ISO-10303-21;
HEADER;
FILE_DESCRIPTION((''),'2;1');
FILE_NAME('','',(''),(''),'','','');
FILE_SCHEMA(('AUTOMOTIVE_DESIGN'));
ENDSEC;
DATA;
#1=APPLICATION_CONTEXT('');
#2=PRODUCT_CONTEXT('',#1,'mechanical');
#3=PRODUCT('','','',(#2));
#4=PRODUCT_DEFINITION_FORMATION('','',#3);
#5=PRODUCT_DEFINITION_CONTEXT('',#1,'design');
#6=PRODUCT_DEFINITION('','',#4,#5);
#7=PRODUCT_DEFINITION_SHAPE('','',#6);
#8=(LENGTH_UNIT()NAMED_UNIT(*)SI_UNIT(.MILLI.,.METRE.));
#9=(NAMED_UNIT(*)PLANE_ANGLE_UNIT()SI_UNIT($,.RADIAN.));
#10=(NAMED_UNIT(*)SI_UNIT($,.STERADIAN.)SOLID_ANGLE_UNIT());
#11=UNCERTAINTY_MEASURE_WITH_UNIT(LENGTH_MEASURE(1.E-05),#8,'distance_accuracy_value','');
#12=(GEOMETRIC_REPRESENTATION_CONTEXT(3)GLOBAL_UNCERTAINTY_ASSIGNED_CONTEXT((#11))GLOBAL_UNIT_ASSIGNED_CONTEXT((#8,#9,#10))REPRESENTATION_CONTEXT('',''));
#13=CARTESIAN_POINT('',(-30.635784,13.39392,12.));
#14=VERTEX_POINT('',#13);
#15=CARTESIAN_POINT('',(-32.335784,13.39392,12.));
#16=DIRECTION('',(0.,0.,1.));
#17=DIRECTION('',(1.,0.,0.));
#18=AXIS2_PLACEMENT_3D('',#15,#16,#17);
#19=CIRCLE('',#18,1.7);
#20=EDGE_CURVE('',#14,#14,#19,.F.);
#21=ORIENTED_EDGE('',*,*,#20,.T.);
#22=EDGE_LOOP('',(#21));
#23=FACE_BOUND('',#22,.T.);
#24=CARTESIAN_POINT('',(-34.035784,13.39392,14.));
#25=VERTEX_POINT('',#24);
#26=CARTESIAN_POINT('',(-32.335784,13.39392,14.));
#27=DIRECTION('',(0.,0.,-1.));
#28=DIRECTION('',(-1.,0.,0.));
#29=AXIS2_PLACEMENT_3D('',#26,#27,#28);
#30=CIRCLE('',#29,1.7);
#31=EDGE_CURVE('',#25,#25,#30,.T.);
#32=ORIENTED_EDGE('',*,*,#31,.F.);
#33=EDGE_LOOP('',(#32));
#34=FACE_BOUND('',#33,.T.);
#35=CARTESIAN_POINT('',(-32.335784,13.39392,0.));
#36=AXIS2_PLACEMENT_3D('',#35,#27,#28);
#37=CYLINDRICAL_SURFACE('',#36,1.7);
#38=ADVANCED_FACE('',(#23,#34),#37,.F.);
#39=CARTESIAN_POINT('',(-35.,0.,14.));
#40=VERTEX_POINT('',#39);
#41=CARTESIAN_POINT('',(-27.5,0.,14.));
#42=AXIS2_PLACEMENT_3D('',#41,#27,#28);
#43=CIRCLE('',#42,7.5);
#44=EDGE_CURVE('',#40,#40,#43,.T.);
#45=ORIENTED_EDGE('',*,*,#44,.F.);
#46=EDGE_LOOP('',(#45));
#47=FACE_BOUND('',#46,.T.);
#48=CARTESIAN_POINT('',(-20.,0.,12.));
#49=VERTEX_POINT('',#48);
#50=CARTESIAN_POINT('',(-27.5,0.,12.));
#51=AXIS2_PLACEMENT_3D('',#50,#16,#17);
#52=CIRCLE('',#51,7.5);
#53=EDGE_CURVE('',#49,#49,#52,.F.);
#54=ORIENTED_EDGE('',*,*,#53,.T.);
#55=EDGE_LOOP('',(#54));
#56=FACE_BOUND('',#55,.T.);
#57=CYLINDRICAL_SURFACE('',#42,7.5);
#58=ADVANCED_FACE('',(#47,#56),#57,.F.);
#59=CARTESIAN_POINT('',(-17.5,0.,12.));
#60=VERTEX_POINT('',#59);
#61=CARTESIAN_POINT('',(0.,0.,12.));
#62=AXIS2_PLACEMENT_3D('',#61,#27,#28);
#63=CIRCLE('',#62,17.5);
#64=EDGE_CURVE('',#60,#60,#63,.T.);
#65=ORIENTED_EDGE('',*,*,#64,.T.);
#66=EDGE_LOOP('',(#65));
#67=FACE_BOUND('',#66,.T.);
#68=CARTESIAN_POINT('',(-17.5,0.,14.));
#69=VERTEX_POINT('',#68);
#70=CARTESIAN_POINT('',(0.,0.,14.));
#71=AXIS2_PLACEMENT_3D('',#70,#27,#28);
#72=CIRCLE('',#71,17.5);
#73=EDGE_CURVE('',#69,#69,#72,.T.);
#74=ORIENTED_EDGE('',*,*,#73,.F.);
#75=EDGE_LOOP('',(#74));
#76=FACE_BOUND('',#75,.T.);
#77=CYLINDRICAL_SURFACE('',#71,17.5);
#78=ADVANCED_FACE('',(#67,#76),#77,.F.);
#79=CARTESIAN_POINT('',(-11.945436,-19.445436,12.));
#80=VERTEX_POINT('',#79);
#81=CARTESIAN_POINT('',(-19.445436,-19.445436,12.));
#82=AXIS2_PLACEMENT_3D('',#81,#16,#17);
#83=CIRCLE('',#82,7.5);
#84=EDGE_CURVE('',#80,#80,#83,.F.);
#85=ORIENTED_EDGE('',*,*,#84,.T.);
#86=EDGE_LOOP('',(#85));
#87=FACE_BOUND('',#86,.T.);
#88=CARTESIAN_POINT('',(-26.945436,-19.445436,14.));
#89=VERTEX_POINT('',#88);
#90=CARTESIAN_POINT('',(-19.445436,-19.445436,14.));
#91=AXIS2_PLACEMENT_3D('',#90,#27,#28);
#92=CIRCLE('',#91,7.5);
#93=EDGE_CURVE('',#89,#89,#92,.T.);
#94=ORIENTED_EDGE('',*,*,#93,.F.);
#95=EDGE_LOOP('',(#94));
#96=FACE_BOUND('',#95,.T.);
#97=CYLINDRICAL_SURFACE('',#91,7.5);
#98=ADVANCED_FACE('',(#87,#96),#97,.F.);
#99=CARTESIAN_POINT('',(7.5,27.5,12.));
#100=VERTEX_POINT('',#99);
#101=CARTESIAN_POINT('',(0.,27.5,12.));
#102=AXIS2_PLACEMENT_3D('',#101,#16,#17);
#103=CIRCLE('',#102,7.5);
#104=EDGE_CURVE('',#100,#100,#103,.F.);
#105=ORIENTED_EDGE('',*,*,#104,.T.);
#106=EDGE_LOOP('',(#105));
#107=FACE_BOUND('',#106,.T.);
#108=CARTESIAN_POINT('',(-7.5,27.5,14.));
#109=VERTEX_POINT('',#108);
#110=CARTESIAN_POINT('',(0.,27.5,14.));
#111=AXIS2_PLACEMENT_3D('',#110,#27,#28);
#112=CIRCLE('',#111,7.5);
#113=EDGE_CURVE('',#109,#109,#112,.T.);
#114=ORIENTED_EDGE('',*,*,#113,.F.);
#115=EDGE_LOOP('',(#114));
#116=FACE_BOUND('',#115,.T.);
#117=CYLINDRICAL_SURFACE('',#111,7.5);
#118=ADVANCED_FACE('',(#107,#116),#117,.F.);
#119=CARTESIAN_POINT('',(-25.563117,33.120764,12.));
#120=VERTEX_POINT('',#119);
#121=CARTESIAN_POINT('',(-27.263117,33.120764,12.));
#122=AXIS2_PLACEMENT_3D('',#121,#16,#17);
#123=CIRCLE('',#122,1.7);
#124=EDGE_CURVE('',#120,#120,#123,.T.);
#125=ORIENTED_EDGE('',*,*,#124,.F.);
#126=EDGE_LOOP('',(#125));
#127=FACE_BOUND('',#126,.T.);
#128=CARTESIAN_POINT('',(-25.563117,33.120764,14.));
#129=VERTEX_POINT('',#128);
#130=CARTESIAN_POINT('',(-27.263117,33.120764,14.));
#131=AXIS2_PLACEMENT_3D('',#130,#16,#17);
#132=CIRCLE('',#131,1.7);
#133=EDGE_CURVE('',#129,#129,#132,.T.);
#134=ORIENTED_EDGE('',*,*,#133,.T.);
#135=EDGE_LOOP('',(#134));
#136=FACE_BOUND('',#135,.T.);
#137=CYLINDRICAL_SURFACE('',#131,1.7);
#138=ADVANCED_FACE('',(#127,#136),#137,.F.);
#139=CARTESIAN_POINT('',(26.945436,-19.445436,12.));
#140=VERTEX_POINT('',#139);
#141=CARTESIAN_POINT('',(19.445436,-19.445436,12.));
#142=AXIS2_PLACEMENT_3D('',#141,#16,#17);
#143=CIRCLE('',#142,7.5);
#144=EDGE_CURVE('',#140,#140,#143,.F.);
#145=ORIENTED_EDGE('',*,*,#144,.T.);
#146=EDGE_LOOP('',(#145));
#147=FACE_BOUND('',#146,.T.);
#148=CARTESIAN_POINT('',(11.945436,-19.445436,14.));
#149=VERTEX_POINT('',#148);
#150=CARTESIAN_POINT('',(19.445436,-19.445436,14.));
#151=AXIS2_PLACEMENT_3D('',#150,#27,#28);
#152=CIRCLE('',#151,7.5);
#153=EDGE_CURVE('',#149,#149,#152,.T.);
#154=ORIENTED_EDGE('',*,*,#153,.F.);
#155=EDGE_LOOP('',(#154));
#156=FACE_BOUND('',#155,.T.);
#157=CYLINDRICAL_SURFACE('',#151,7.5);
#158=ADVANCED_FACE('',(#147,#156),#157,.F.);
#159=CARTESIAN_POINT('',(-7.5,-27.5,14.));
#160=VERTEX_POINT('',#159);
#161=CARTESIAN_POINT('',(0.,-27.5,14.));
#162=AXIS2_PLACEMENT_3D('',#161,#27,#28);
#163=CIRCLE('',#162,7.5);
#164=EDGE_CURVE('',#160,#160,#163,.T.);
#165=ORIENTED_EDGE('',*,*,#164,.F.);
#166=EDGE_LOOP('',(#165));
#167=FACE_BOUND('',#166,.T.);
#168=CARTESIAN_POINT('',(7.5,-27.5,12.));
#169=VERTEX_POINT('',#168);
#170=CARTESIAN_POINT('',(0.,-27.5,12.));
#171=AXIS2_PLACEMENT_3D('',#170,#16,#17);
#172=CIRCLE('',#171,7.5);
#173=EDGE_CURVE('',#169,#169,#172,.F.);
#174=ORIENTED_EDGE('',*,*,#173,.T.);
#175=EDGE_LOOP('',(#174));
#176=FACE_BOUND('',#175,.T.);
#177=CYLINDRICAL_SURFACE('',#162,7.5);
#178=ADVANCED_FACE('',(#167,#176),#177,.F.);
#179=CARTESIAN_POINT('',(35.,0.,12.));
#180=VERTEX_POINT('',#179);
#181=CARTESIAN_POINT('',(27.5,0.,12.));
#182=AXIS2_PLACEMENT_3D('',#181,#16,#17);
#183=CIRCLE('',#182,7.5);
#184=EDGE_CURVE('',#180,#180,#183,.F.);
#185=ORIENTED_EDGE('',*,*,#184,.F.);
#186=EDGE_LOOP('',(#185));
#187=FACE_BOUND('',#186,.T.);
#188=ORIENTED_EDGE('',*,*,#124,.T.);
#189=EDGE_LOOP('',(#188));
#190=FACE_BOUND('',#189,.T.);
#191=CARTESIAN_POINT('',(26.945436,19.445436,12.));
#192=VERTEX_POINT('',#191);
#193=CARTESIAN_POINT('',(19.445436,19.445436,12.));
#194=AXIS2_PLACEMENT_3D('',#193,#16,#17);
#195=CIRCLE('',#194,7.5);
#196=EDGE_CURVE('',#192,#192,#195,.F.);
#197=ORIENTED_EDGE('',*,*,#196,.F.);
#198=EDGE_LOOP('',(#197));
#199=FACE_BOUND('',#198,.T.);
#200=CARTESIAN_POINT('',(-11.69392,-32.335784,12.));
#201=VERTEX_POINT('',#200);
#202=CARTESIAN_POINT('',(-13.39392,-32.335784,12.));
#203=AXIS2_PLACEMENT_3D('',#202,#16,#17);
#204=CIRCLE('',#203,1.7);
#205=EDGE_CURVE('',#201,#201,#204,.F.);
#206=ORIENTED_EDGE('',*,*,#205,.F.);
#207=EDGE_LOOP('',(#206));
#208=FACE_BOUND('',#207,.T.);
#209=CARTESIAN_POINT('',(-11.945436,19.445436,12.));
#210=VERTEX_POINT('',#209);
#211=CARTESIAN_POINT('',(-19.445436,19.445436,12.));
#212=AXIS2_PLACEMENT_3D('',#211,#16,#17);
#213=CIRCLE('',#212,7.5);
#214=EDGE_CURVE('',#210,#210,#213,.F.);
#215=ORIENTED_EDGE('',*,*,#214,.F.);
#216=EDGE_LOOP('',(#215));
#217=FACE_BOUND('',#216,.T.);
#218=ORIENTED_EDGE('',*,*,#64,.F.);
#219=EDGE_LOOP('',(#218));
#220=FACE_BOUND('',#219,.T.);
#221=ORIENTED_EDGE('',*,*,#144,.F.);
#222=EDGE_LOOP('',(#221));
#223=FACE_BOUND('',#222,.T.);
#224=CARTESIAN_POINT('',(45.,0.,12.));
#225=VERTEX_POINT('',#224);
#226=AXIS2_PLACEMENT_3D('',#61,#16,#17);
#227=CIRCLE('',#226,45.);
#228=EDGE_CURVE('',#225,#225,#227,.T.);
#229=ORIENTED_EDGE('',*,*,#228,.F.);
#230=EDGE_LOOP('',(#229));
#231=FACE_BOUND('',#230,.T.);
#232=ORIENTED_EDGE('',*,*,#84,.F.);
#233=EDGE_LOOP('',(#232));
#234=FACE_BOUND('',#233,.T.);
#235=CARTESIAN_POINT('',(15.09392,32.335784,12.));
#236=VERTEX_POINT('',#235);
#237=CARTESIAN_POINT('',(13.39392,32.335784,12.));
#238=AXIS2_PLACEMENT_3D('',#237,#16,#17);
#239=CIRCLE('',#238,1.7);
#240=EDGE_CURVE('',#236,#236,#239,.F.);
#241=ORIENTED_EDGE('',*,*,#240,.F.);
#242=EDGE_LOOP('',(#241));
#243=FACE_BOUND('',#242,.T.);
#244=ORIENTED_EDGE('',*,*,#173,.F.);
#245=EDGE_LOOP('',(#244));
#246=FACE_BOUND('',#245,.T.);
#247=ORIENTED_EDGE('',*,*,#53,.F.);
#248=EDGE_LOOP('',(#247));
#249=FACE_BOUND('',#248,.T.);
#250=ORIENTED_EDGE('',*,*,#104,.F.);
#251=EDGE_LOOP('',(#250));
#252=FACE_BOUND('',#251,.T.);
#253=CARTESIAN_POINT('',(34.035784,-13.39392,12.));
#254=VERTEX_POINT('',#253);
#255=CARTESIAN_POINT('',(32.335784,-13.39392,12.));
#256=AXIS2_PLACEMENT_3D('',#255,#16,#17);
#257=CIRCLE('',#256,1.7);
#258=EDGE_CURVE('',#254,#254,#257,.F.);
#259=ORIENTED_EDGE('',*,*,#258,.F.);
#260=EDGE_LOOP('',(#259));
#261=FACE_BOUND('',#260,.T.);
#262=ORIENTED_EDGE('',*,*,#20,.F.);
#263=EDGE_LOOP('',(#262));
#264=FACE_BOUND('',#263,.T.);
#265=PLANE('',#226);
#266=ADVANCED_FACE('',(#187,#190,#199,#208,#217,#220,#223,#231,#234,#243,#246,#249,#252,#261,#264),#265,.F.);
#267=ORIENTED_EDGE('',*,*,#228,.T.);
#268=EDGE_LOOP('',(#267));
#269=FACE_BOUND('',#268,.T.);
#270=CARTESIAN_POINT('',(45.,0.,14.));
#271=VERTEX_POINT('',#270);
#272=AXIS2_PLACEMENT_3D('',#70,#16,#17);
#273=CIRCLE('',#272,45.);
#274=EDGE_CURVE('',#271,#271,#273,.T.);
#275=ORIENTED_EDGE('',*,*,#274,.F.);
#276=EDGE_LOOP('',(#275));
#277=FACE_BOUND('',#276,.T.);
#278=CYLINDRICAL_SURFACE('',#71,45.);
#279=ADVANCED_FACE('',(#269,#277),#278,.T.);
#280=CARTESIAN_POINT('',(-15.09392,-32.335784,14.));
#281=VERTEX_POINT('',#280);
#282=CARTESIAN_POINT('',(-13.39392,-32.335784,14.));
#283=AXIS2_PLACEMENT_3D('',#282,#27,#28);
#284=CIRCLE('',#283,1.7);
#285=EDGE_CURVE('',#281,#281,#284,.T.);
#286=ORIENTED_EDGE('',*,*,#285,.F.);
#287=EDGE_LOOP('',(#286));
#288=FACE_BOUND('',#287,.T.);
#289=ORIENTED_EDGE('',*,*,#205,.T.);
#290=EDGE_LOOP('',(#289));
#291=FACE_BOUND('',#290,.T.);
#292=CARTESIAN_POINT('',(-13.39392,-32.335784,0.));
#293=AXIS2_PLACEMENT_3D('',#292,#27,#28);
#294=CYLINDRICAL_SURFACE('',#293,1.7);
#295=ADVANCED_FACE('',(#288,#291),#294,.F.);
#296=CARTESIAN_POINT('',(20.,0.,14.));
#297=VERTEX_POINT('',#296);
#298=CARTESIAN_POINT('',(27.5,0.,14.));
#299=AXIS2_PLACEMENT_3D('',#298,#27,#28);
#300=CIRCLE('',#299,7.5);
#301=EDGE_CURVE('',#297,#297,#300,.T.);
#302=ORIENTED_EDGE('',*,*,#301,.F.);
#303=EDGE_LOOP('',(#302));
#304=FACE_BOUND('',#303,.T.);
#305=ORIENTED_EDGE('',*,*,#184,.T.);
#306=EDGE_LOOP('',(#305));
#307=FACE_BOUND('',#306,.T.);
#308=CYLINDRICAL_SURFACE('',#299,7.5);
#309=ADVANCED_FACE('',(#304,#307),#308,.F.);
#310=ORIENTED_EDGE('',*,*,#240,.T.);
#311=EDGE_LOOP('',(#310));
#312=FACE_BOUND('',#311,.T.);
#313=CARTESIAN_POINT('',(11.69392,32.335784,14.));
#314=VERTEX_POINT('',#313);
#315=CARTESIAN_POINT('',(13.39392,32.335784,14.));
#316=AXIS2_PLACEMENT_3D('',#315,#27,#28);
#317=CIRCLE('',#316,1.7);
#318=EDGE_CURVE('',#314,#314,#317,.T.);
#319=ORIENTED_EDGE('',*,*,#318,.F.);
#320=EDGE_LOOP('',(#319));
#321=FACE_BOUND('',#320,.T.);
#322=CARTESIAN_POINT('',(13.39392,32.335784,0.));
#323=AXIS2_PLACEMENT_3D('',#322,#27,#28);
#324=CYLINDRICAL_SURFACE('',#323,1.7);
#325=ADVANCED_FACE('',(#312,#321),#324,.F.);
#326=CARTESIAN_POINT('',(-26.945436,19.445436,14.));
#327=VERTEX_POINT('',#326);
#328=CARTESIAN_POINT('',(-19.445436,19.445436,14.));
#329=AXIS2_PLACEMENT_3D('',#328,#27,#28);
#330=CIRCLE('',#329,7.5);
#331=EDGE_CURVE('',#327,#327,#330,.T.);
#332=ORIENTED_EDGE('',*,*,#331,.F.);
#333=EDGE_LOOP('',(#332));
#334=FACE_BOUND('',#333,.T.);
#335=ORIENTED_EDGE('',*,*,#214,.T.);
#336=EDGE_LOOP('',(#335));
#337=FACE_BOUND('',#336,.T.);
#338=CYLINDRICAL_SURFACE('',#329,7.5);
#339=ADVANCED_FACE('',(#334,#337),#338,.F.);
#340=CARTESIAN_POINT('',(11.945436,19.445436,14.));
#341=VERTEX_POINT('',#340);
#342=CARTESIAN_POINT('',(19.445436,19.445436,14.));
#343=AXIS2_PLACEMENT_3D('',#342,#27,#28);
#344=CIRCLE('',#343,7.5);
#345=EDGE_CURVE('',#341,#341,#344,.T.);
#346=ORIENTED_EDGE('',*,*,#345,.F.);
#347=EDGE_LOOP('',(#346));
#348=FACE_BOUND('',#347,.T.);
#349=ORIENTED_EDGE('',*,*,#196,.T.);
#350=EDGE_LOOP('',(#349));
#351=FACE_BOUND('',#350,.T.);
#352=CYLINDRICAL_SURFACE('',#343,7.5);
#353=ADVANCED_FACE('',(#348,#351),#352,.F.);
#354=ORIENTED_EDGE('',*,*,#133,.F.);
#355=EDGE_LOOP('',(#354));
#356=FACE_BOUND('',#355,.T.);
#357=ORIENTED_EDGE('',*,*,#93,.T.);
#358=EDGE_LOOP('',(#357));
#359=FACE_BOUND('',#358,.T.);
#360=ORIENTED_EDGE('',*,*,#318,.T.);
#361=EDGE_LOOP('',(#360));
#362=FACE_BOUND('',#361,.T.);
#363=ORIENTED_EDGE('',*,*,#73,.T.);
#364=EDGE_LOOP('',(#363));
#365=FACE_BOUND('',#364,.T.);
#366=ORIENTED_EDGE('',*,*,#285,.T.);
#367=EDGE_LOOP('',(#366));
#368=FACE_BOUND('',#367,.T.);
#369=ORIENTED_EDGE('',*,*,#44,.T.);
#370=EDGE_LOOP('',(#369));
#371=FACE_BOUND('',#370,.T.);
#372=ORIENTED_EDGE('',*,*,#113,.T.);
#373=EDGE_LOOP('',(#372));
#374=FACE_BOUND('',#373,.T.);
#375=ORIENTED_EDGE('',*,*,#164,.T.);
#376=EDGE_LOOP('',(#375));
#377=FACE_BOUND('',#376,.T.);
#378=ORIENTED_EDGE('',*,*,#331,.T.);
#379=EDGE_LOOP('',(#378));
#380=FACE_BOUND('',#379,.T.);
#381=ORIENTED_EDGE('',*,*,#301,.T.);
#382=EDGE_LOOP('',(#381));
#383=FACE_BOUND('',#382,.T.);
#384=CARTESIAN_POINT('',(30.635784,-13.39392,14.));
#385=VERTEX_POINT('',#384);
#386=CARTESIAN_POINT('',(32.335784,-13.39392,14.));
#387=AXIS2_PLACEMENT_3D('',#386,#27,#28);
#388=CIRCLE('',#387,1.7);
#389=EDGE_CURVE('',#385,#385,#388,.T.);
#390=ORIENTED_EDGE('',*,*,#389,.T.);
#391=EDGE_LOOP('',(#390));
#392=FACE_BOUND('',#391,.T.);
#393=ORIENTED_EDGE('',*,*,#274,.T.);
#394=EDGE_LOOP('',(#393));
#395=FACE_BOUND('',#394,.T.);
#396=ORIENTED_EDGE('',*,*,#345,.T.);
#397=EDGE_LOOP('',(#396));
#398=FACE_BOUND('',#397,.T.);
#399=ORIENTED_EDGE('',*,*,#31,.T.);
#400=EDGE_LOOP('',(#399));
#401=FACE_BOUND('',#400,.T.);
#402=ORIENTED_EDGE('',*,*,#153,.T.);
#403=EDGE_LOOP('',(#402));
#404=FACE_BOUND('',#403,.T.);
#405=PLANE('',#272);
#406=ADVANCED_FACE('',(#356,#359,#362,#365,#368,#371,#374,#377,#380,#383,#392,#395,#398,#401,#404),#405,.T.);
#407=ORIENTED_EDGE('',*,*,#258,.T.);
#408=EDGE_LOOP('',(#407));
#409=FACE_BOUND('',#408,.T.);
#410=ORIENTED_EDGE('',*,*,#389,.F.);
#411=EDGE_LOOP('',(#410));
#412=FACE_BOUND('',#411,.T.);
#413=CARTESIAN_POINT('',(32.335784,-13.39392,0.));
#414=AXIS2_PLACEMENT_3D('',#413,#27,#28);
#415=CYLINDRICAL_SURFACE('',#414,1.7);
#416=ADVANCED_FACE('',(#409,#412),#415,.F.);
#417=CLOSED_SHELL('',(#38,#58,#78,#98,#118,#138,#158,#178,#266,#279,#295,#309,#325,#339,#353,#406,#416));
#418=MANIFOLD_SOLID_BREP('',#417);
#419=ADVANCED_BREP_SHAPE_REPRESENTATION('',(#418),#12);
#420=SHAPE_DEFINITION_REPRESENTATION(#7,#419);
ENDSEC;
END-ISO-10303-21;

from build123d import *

# Parameters (mm, degrees)
SKETCH_1_R          = 40
EXTRUDE_1_DEPTH     = 12
SKETCH_8_R          = 45
EXTRUDE_3_DEPTH     = 2
SKETCH_2_R          = 7.5
CUT_EXTRUDE_1_DEPTH = 66.161338231
HOLE_WIZARD_M31_D   = 3.4
HOLE_WIZARD_M32_D   = 3.4
SKETCH_10_R         = 7.5
CUT_EXTRUDE_2_DEPTH = 66.161338231
HOLE_WIZARD_M33_D   = 3.4
SKETCH_17_R         = 17
CUT_EXTRUDE_3_DEPTH = 1.5
SKETCH_18_R         = 44.163841719
CUT_EXTRUDE_4_DEPTH = 12
SKETCH_19_R         = 17.5
CUT_EXTRUDE_5_DEPTH = 64.671029519


with BuildPart() as part:
    # Эскиз1 → Бобышка-Вытянуть1 (new body)
    with BuildSketch(Plane.XY):
        Circle(SKETCH_1_R)
    extrude(amount=EXTRUDE_1_DEPTH)

    # Эскиз8 → Бобышка-Вытянуть3 (add)
    with BuildSketch(Plane.XY.offset(12)):
        Circle(SKETCH_8_R)
    extrude(amount=EXTRUDE_3_DEPTH)

    # Эскиз2 → Вырез-Вытянуть1 (cut, through all)
    with BuildSketch(Plane(origin=(0, 0, 14), x_dir=(-1, 0, 0), z_dir=(0, 0, -1))):
        Circle(SKETCH_2_R)
    extrude(amount=CUT_EXTRUDE_1_DEPTH, mode=Mode.SUBTRACT)

    # Отверстие с зазором M31 (through all)
    with Locations(Plane(origin=(-6.663493146, -3.889871465, 14), x_dir=(-1, 0, 0), z_dir=(0, 0, 1))):
        with Locations((20.599623529, -37.010635762)):
            Hole(HOLE_WIZARD_M31_D / 2)

    # Отверстие с зазором M32 (through all)
    with Locations(Plane.XY.offset(14)):
        with Locations((0, 12.5), (-12.5, 0), (0, -12.5), (12.5, 0)):
            Hole(HOLE_WIZARD_M32_D / 2)

    # Эскиз10 → Вырез-Вытянуть2 (cut, through all)
    with BuildSketch(Plane(origin=(0, 0, 0), x_dir=(-1, 0, 0), z_dir=(0, 0, -1))):
        with Locations((0, 27.5)):
            Circle(SKETCH_10_R)
        with Locations((19.445436483, 19.445436483)):
            Circle(SKETCH_10_R)
        with Locations((27.5, 0)):
            Circle(SKETCH_10_R)
        with Locations((19.445436483, -19.445436483)):
            Circle(SKETCH_10_R)
        with Locations((0, -27.5)):
            Circle(SKETCH_10_R)
        with Locations((-19.445436483, -19.445436483)):
            Circle(SKETCH_10_R)
        with Locations((-27.5, 0)):
            Circle(SKETCH_10_R)
        with Locations((-19.445436483, 19.445436483)):
            Circle(SKETCH_10_R)
    extrude(amount=-CUT_EXTRUDE_2_DEPTH, mode=Mode.SUBTRACT)

    # Отверстие с зазором M33 (through all)
    with Locations(Plane(origin=(0, 0, 0), x_dir=(-1, 0, 0), z_dir=(0, 0, -1))):
        with Locations((-13.393920133, 32.335783638), (13.393920133, -32.335783638), (32.335783638, 13.393920133), (-32.335783638, -13.393920133)):
            Hole(HOLE_WIZARD_M33_D / 2)

    # Эскиз17 → Вырез-Вытянуть3 (cut)
    with BuildSketch(Plane(origin=(0, 0, 0), x_dir=(-1, 0, 0), z_dir=(0, 0, -1))):
        Circle(SKETCH_17_R)
    extrude(amount=-CUT_EXTRUDE_3_DEPTH, mode=Mode.SUBTRACT)

    # Эскиз18 → Вырез-Вытянуть4 (cut)
    with BuildSketch(Plane(origin=(0, 0, 0), x_dir=(-1, 0, 0), z_dir=(0, 0, -1))):
        Circle(SKETCH_18_R)
    extrude(amount=-CUT_EXTRUDE_4_DEPTH, mode=Mode.SUBTRACT)

    # Эскиз19 → Вырез-Вытянуть5 (cut, through all)
    with BuildSketch(Plane(origin=(0, 0, 12), x_dir=(-1, 0, 0), z_dir=(0, 0, -1))):
        Circle(SKETCH_19_R)
    extrude(amount=-CUT_EXTRUDE_5_DEPTH, mode=Mode.SUBTRACT)


solid = part.part
